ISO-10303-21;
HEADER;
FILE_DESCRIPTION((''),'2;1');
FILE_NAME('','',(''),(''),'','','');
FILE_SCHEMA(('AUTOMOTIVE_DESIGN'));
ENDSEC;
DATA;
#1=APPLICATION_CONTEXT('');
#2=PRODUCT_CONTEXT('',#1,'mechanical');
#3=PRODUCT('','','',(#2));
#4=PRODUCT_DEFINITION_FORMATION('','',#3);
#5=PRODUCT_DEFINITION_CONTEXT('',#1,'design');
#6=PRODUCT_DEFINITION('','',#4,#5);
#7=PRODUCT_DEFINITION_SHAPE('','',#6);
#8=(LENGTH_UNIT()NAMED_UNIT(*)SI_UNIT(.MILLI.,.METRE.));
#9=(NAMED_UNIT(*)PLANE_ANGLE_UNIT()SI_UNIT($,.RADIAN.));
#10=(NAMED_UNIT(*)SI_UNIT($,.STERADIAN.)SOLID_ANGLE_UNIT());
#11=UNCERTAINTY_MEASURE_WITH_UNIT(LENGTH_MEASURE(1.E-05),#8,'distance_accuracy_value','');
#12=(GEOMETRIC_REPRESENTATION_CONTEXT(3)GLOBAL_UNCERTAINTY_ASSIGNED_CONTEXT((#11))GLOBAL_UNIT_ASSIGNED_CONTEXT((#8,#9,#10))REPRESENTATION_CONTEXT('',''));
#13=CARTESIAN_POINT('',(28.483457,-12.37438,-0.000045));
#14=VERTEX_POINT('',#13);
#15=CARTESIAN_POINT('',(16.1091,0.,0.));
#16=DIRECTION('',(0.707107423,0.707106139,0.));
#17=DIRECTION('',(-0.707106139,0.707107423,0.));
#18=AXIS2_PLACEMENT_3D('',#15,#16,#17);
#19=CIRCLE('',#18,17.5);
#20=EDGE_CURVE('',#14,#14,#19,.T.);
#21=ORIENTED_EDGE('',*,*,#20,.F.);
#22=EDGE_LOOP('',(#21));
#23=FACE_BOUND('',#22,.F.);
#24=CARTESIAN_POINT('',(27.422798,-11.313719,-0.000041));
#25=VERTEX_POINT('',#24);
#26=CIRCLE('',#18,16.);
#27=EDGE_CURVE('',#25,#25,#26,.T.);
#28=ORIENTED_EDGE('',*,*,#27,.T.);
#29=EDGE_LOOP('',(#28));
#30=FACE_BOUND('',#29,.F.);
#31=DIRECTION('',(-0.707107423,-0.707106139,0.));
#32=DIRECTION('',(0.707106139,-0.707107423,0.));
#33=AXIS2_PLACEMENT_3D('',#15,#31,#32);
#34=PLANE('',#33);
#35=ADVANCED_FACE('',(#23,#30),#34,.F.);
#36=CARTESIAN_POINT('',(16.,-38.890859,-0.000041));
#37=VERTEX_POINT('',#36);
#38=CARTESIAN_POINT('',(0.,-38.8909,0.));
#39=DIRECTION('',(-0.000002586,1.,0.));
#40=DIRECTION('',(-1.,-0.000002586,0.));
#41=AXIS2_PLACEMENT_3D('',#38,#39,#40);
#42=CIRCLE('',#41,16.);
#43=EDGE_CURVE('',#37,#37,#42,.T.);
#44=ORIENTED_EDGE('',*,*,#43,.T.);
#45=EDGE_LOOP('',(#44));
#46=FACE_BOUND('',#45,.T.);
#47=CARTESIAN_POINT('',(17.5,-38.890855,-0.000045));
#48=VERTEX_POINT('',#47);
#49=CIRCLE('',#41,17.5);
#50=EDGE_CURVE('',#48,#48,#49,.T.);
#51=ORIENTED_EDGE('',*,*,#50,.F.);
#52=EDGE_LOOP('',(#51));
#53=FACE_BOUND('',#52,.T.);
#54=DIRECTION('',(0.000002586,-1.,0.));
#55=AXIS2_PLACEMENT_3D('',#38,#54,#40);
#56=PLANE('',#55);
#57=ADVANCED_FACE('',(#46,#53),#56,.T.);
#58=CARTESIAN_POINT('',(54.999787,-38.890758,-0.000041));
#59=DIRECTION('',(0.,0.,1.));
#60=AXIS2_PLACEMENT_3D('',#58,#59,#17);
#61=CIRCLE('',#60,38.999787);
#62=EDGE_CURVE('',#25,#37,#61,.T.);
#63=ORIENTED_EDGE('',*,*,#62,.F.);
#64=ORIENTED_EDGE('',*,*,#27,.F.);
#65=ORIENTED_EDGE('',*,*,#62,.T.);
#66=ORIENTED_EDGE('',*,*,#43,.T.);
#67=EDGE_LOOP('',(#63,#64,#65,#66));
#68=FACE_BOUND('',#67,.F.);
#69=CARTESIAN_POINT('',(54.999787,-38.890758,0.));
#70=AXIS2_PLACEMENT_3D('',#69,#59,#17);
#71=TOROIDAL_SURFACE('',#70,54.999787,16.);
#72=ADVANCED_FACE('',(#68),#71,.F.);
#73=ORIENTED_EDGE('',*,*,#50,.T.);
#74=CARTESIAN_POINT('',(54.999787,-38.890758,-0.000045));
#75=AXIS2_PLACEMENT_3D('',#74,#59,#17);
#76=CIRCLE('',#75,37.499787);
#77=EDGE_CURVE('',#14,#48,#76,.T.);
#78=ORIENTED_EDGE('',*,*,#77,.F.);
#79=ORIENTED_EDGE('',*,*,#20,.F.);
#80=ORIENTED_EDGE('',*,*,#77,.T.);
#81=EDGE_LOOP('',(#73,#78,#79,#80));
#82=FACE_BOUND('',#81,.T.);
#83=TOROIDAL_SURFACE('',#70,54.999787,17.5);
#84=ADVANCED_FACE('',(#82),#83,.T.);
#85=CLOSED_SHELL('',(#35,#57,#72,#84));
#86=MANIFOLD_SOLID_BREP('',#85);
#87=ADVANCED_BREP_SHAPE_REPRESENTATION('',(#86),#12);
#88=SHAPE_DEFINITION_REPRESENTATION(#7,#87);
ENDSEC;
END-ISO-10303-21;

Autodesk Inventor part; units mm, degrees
ref_plane "YZ Plane" through (0, 0, 0) normal (1, 0, 0) x (0, 1, 0)
ref_plane "XZ Plane" through (0, 0, 0) normal (0, 1, 0) x (-1, 0, 0)
sketch "Szkic6" plane through (0, 0, 0) normal (0, 0, 1) x (1, 0, 0)
  line L0 (-29.6067, 0) -> (35.2678, 0) construction
  line L1 (0, 42.3419) -> (0, -58.3726) construction
  arc A0 (16.1091, 0) -> (0, -38.8909) centre (55, -38.8909) ccw
  line L2 (0, -38.8909) -> (55, -38.8909) construction
  line L3 (55, -38.8909) -> (8.6611, 7.448) construction
  line L4 (16.1091, 0) -> (16.1091, 0)
  line L5 (0, -38.8909) -> (0, -38.8909)
  point P0 (0, 0)
  dimension "d24" = 55
  dimension "d31" = 45
  dimension "d36" = 0
  dimension "d37" = 0
ref_plane "Płaszczyzna konstrukcyjna2" through (0, -38.8909, 0) normal (0, -1, 0) x (1, 0, 0)
sketch "Szkic8" plane through (0, -38.8909, 0) normal (0, -1, 0) x (1, 0, 0)
  circle A0 centre (0, 0) radius 17.5
  circle A1 centre (0, 0) radius 16
  dimension "d32" = 35
  dimension "d33" = 1.5
sweep "Przeciągnięcie2" add profiles "Szkic8" path "Szkic6"
equation "\"d32\" = OD"
equation "\"d33\" = THK"
equation "\"d24\" = R"
equation "\"d31\" = KAT"
equation "\"SzerokośćGięciaPodcięcia\" = Grubość"
equation "\"RozmiarPodcięciaNarożnika\" = 4 * Grubość"
equation "\"PromieńPrzejścia\" = PromieńGięcia"
equation "\"Rozmiar_promienia_Jacobiego\" = PromieńGięcia"
equation "\"Wielk_odstępu\" = Grubość"
equation "\"d2\" = PromieńGięcia"
equation "\"d23\" = PromieńGięcia"
equation "\"R\" = 55"
equation "\"OD\" = 35"
equation "\"THK\" = 1.5"
equation "\"KAT\" = 45deg"
equation "\"PROSTKA\" = 0"
equation "\"Grubość\" = 1.5"
equation "\"PromieńGięcia\" = 3"
properties part number "Kolano 45° ø35x1,5 R55" material "304L"
